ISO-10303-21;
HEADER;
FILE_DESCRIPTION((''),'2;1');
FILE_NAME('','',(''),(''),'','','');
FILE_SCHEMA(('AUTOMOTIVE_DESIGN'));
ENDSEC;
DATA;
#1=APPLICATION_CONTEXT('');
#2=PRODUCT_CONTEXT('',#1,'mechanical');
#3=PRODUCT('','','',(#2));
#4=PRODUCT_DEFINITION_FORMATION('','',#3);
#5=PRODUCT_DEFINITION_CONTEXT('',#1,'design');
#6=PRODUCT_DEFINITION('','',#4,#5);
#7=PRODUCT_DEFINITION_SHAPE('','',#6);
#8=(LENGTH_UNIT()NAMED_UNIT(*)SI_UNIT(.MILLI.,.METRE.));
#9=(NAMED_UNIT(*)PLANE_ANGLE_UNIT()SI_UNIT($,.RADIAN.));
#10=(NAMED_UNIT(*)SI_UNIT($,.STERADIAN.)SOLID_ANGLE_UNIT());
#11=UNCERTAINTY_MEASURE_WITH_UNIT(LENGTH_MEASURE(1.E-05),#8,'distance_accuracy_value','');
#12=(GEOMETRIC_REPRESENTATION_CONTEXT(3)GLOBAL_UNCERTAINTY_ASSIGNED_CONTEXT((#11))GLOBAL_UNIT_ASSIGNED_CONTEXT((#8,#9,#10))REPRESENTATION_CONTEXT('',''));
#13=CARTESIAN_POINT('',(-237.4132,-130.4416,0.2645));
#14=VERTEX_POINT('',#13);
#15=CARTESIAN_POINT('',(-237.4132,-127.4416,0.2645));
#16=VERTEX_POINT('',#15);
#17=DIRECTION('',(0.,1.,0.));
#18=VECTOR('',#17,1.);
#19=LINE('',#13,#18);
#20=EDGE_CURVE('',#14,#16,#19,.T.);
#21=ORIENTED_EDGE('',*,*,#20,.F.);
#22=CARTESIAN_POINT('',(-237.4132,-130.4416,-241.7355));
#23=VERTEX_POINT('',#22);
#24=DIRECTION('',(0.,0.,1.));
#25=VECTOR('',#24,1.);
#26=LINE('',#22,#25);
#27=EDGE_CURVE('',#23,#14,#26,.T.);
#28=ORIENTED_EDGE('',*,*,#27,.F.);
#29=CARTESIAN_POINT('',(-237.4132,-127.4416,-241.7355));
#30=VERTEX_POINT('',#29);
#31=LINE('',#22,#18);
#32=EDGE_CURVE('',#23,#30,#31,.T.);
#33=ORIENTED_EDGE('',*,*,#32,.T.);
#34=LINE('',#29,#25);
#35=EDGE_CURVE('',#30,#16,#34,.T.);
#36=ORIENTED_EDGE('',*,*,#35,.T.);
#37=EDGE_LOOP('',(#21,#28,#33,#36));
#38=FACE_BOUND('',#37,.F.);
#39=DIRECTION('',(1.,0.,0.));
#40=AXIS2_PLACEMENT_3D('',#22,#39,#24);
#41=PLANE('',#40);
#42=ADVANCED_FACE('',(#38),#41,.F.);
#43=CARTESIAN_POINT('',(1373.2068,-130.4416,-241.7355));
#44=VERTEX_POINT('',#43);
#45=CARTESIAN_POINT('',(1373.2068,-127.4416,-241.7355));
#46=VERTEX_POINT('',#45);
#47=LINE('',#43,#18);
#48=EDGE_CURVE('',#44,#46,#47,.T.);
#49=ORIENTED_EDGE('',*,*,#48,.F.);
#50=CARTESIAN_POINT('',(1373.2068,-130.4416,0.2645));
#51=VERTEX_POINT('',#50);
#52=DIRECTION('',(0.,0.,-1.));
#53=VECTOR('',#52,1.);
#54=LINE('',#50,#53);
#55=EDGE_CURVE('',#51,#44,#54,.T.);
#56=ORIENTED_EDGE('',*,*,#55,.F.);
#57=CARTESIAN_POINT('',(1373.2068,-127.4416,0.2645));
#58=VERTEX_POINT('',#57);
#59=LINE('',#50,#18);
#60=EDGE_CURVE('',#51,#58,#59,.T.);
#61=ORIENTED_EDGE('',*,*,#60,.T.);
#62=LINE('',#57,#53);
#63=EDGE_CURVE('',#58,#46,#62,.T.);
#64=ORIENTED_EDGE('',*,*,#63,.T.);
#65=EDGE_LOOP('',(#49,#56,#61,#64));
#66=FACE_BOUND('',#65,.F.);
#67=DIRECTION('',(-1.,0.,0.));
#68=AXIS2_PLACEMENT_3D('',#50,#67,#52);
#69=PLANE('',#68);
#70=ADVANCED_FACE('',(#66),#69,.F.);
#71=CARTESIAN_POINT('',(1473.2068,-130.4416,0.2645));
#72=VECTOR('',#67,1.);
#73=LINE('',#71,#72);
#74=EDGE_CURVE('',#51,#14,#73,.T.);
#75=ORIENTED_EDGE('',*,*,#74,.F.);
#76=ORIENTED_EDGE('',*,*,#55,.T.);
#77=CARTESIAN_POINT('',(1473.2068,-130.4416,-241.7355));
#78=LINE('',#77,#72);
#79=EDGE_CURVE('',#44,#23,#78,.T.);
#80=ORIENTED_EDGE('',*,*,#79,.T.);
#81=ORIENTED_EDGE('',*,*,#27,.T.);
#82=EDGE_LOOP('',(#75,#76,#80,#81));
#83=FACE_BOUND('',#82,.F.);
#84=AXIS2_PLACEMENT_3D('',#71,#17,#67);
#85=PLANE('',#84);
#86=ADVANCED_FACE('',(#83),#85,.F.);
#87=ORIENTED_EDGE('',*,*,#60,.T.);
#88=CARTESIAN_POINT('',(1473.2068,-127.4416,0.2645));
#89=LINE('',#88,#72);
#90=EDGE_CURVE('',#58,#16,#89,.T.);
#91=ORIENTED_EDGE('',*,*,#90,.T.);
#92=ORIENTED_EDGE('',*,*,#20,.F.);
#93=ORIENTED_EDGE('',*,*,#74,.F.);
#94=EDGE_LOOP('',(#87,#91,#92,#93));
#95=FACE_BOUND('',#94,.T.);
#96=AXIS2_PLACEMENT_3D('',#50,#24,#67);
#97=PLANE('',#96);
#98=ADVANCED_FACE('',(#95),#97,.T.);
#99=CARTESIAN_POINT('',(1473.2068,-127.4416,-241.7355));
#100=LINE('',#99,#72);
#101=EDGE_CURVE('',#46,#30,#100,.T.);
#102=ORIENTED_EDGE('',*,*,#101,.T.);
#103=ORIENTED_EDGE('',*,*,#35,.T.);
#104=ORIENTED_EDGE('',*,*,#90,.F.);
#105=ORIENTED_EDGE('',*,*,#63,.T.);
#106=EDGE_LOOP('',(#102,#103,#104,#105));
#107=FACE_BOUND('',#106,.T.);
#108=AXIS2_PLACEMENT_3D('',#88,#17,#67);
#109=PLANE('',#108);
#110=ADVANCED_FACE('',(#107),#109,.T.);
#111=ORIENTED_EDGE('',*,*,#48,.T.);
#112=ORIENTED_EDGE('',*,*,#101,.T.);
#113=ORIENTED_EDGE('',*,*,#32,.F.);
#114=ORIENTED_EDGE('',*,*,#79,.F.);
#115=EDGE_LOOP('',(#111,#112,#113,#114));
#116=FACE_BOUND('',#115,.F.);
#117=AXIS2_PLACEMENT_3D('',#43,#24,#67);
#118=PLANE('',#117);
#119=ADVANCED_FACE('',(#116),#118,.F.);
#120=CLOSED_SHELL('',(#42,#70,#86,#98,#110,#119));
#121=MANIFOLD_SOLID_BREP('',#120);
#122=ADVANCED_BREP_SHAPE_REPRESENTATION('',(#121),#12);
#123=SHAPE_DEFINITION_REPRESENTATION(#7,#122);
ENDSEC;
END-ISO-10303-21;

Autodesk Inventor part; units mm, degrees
ref_plane "YZ Plane" through (0, 0, 0) normal (1, 0, 0) x (0, 1, 0)
ref_plane "XZ Plane" through (0, 0, 0) normal (0, 1, 0) x (-1, 0, 0)
ref_plane "XY Plane" through (0, 0, 0) normal (0, 0, 1) x (1, 0, 0)
ref_plane "РабПлоскость1" through (1473.2068, -130.4416, 0.2645) normal (0, 1, 0) x (-1, 0, 0)
sketch "Эскиз1" plane through (1473.2068, -130.4416, 0.2645) normal (0, 1, 0) x (-1, 0, 0)
  line L0 (0, 0) -> (2010.62, 0) projected
  line L1 (0, -242) -> (2010.62, -242) projected
  line L2 (1710.62, 0) -> (100, 0)
  line L3 (100, 0) -> (100, -242)
  line L4 (100, -242) -> (1710.62, -242)
  line L5 (1710.62, -242) -> (1710.62, 0)
  point P0 (1473.2068, -0.2645)
extrude "Выдавливание1" add sketch "Эскиз1" along normal blind 3
sketch "Эскиз2" plane through (1473.2068, -130.4416, 0.2645) normal (0, -1, 0) x (1, 0, 0)
  line L0 (-1473.2068, -0.2645) -> (-1473.2068, -242)
  line L1 (-100, -242) -> (-1710.62, -242) projected
  line L2 (-1473.2068, -121.1323) -> (-1998.2148, -121.1323)
properties part number "пол2"
